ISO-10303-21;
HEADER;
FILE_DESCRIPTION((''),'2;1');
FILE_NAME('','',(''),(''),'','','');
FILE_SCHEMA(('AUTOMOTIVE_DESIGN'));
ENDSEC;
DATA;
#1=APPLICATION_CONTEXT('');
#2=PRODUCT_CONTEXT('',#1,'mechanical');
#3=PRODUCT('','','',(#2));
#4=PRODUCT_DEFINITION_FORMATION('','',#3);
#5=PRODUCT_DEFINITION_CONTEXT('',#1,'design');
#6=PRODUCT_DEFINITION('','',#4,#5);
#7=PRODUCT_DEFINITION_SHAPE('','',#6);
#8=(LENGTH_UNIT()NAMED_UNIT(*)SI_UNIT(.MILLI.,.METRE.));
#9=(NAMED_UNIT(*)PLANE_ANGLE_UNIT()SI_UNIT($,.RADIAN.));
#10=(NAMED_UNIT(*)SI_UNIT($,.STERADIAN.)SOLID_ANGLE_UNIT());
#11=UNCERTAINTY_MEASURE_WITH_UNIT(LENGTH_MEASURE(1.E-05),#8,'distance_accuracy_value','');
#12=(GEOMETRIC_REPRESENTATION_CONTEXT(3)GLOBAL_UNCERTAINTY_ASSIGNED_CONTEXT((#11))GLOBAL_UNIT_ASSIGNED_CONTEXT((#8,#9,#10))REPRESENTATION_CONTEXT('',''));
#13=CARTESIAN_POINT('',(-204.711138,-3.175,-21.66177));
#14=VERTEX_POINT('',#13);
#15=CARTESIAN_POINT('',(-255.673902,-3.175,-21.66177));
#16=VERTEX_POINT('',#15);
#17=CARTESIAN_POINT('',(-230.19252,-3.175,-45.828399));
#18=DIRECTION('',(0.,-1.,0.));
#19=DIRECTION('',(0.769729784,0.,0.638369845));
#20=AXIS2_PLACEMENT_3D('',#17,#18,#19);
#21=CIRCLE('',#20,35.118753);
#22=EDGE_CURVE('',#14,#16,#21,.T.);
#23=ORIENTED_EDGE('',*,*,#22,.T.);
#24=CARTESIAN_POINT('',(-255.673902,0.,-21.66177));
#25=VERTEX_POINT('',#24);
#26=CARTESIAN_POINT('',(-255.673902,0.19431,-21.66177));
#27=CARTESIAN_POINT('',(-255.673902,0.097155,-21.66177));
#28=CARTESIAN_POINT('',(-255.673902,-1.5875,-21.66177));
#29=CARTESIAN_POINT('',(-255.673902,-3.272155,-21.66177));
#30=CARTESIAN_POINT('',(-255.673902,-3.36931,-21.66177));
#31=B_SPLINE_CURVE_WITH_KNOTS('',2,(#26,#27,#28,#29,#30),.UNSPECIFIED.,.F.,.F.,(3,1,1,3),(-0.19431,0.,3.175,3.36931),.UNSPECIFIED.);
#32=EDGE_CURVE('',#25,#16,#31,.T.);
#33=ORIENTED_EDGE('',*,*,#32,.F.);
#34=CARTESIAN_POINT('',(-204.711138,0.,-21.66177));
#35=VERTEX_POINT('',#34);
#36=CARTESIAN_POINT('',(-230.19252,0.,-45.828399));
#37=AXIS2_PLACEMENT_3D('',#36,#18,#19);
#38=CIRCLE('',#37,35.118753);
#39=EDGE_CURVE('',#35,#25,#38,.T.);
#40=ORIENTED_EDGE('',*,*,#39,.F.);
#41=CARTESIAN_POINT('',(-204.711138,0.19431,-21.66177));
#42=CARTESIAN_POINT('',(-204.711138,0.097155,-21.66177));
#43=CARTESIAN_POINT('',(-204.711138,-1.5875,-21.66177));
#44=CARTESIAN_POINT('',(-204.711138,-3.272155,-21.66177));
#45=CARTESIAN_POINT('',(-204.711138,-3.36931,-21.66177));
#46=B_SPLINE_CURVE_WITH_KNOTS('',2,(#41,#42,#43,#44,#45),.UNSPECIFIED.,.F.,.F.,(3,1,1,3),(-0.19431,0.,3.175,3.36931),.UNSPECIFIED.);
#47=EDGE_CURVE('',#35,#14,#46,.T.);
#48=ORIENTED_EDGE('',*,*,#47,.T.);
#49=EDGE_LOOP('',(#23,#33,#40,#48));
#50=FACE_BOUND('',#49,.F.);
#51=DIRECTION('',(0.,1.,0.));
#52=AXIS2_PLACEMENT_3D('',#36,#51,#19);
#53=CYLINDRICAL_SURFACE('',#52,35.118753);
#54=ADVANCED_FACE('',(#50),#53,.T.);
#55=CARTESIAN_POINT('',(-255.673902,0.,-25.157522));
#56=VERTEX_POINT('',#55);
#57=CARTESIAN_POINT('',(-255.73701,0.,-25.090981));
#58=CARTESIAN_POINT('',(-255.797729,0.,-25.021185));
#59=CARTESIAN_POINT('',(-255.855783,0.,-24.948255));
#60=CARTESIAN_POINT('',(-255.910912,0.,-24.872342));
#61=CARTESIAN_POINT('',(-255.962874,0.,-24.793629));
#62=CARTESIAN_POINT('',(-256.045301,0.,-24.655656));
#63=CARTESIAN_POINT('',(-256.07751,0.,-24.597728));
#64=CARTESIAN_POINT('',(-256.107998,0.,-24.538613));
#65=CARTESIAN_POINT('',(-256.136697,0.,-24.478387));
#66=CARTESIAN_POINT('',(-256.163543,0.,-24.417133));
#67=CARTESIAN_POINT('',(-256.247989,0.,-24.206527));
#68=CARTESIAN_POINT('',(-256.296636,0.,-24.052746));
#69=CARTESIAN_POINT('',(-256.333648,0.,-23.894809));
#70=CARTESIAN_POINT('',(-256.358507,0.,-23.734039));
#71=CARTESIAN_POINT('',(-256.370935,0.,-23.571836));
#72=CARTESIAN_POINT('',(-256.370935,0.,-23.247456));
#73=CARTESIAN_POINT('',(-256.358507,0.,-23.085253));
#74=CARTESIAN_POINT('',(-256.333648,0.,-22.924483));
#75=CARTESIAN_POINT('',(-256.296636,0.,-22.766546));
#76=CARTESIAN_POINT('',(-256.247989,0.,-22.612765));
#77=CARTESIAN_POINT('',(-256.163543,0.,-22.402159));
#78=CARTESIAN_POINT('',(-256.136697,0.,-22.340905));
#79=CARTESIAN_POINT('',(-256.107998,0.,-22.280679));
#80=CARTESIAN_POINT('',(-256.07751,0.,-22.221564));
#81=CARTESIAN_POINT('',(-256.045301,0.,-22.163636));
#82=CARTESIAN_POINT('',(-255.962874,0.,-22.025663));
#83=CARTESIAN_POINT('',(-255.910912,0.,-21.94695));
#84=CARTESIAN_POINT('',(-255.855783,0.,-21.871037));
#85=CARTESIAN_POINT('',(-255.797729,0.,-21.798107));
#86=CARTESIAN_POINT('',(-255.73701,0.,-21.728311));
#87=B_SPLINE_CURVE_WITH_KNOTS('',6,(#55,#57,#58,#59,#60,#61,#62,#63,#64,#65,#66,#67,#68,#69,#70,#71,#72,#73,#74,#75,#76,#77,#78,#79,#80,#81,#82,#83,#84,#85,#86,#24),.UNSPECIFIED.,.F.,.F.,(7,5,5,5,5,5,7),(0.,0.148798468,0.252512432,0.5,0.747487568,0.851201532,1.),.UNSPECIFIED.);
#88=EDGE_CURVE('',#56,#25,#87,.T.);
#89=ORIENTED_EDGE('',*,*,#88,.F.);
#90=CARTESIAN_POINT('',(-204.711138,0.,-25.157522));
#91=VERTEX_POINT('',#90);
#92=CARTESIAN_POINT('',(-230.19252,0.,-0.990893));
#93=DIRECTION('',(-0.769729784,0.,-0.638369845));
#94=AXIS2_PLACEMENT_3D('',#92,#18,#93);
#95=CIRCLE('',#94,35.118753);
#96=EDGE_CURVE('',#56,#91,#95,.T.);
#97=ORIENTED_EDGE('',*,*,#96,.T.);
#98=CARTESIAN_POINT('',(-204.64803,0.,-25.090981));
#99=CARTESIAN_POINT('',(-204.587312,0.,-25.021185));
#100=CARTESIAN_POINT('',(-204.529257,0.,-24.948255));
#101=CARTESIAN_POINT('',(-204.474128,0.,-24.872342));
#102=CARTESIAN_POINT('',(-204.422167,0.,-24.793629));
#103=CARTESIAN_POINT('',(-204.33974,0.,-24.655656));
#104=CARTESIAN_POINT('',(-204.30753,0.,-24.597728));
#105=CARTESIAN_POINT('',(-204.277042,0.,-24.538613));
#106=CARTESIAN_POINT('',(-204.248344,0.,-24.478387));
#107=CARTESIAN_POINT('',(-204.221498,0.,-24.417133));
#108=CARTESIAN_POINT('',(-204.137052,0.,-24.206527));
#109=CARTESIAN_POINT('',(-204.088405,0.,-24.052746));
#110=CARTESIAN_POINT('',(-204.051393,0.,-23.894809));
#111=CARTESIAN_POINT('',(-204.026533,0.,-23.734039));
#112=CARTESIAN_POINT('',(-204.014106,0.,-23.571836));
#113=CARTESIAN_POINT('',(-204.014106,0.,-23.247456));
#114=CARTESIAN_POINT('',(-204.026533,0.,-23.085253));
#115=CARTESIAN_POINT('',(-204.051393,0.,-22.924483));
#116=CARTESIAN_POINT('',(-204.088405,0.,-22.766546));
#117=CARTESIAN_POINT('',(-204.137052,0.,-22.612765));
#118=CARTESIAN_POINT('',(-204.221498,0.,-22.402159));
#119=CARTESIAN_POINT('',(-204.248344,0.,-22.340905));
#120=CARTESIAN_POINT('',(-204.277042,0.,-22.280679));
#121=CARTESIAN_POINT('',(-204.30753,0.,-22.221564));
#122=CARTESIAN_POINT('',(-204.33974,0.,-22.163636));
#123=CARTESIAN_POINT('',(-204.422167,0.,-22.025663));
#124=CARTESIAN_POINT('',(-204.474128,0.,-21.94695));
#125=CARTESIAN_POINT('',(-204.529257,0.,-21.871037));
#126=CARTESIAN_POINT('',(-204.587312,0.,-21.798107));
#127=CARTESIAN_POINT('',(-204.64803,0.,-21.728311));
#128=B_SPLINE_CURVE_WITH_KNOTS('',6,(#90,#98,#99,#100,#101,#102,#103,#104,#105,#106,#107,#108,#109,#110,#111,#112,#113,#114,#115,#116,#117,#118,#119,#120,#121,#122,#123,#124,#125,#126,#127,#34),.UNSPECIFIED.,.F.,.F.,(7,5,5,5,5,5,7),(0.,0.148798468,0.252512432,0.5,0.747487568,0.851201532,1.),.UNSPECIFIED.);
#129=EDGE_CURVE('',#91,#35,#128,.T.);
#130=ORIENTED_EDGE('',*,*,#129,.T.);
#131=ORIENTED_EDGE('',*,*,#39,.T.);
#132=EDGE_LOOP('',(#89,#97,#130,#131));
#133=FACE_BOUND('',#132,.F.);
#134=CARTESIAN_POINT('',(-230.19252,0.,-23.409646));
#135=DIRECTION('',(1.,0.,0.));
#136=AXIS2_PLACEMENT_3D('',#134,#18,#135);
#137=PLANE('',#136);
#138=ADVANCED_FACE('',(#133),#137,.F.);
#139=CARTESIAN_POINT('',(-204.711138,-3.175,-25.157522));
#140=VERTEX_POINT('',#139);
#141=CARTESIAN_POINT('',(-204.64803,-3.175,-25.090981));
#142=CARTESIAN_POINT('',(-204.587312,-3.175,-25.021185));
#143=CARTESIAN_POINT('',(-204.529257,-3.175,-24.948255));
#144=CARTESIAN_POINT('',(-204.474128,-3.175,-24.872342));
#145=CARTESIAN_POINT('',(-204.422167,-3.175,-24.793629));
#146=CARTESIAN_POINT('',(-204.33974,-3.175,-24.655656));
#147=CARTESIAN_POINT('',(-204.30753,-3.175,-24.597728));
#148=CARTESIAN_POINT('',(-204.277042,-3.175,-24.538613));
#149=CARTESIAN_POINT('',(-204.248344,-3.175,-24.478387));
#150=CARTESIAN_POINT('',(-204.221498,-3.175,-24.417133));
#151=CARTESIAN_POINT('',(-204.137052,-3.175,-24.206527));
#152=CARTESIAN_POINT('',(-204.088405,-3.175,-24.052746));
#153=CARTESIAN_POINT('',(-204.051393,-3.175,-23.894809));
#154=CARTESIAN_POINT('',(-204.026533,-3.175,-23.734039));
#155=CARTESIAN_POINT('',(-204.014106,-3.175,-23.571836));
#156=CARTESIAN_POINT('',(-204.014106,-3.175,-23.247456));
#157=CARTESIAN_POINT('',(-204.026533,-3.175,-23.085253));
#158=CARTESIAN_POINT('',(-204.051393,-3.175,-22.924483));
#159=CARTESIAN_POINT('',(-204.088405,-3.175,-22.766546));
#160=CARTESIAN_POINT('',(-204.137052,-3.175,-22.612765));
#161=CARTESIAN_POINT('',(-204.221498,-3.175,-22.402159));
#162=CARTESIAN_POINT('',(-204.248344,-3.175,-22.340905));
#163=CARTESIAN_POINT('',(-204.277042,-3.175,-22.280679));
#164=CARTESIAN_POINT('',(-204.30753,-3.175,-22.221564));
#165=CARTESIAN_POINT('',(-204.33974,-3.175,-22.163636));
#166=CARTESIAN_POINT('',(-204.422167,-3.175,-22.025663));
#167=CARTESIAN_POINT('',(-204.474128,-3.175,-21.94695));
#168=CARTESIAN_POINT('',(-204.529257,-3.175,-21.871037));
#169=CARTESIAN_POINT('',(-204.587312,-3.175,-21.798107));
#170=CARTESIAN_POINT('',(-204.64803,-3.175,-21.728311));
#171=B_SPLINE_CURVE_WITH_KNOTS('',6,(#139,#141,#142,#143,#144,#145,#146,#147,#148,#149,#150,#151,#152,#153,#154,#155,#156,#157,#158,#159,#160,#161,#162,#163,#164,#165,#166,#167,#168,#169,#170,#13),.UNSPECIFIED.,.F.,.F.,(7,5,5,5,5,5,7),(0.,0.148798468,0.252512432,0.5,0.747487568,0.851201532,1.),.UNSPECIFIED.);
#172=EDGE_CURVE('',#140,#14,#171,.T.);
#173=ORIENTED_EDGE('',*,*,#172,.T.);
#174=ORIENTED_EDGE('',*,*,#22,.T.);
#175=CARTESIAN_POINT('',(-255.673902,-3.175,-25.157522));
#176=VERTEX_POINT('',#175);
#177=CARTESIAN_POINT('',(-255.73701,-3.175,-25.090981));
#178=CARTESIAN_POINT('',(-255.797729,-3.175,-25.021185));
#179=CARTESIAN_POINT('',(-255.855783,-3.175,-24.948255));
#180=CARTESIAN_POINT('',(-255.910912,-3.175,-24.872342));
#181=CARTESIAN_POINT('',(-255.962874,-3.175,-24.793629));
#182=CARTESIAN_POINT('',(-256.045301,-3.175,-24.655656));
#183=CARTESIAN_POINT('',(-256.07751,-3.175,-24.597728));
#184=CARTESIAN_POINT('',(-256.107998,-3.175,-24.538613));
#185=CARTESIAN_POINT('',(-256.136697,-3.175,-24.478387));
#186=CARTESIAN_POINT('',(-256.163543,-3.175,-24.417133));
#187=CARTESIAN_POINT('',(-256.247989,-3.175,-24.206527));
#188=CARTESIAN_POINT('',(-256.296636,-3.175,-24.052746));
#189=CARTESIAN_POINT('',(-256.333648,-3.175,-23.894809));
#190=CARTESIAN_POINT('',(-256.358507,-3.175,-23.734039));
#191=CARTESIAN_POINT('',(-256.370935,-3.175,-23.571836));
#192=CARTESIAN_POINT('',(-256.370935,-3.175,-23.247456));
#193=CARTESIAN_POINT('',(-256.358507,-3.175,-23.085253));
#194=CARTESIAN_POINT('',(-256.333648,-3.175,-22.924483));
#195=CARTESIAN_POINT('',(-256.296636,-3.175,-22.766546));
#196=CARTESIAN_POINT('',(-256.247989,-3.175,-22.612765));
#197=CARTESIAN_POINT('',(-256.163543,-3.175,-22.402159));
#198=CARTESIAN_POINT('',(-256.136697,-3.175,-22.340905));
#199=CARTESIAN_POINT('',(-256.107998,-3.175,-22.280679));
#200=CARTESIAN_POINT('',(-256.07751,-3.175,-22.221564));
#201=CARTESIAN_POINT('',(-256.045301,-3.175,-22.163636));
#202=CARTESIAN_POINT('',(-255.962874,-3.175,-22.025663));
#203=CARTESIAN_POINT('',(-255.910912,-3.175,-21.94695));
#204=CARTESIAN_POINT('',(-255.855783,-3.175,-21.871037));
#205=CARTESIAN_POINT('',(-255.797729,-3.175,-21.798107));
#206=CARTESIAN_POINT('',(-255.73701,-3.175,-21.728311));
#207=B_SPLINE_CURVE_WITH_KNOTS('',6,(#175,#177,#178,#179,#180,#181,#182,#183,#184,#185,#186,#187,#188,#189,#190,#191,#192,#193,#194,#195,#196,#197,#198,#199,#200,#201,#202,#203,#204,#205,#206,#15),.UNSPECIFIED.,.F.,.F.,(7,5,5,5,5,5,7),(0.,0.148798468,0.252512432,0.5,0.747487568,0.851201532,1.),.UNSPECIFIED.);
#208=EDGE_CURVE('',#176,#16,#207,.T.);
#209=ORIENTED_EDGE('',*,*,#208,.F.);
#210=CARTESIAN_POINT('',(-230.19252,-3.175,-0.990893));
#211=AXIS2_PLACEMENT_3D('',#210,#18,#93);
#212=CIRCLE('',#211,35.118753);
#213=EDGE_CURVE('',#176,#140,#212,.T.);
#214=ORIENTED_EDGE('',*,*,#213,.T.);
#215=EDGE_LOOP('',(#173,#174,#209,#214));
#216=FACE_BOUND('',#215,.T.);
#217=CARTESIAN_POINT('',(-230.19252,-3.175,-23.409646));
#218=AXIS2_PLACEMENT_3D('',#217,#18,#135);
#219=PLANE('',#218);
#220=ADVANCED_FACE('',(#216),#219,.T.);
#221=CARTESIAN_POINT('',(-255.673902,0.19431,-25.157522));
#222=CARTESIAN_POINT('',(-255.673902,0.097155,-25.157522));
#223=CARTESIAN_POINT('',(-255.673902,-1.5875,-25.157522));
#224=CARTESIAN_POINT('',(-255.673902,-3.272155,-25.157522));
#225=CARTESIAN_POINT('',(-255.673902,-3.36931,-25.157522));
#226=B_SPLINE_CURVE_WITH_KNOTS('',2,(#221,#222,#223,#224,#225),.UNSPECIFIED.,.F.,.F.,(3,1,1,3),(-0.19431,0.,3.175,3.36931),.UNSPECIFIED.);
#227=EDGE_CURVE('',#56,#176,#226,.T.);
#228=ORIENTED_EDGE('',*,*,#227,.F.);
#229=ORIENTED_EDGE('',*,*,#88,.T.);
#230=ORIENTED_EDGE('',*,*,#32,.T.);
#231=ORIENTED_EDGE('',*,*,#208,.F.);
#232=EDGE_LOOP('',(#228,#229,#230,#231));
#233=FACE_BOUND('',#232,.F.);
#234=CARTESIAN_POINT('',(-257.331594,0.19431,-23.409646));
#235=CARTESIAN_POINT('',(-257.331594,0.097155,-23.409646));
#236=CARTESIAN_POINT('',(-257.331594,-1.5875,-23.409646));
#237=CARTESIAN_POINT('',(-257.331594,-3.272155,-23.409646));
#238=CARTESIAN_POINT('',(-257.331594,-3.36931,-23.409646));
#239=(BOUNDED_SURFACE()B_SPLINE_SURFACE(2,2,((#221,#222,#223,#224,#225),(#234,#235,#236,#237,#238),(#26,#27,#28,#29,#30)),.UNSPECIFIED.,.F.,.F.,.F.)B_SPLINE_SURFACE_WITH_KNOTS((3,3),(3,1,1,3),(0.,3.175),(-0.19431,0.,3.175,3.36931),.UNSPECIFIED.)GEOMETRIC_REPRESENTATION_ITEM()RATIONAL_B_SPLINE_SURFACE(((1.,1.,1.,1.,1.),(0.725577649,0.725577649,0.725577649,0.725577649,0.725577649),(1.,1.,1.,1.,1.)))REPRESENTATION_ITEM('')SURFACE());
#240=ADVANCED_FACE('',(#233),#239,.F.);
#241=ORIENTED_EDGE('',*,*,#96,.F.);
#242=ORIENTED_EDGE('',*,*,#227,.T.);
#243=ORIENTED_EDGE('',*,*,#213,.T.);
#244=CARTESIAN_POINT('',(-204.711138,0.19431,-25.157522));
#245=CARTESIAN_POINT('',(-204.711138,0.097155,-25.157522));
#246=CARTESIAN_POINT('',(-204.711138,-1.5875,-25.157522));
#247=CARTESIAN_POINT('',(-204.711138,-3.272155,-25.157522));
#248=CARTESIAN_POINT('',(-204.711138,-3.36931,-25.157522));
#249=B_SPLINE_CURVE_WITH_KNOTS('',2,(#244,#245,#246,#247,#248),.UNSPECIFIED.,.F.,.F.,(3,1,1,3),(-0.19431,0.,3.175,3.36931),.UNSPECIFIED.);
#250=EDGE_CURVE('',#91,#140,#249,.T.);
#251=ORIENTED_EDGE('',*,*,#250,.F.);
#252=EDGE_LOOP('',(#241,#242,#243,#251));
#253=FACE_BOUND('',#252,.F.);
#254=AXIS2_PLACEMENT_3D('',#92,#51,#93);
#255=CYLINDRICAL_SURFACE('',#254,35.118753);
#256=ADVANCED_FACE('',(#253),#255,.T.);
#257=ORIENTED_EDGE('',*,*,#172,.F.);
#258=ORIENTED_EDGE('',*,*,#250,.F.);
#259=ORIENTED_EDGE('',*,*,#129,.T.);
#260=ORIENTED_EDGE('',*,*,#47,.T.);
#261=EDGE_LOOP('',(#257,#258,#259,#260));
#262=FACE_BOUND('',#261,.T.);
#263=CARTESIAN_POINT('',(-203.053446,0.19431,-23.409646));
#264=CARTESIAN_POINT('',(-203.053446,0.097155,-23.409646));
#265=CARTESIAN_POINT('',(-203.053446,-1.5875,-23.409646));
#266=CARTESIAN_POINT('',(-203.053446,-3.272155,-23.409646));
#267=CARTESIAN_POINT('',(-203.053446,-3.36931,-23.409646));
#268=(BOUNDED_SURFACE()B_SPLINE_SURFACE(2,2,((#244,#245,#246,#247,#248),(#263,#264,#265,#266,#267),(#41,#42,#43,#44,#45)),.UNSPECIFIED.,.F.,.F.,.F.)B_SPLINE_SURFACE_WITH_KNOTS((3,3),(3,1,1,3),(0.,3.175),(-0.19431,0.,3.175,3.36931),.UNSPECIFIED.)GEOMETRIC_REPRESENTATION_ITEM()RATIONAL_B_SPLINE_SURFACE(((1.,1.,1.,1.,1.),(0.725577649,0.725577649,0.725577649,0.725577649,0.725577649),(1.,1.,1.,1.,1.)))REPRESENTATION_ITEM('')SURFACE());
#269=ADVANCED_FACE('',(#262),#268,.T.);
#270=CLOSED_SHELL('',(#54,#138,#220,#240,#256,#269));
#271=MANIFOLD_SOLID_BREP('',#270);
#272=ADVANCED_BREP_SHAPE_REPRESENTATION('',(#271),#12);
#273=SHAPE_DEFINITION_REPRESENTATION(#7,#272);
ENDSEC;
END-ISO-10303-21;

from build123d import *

# Parameters (mm, degrees)
F1_DEPTH = 3.175
F2_R     = 2.54
F3_R     = 2.54


with BuildPart() as f1:
    # F0 (on Front) → F1 (new body)
    with BuildSketch(Plane.XZ):
        with BuildLine():
            ThreePointArc((-257.224470377, -23.4096460044), (-230.192520377, -36.1096460044), (-203.160570377, -23.4096460044))
            ThreePointArc((-203.160570377, -23.4096460044), (-230.192520377, -10.7096460044), (-257.224470377, -23.4096460044))
        make_face()
    extrude(amount=F1_DEPTH)

    # F2
    f2_edges = [f1.edges().sort_by_distance(p)[0] for p in [
        (-203.16057, -1.5875, -23.409646),
    ]]
    fillet(f2_edges, radius=F2_R)

    # F3
    f3_edges = [f1.edges().sort_by_distance(p)[0] for p in [
        (-257.22447, -1.5875, -23.409646),
    ]]
    fillet(f3_edges, radius=F3_R)


solid = f1.part
